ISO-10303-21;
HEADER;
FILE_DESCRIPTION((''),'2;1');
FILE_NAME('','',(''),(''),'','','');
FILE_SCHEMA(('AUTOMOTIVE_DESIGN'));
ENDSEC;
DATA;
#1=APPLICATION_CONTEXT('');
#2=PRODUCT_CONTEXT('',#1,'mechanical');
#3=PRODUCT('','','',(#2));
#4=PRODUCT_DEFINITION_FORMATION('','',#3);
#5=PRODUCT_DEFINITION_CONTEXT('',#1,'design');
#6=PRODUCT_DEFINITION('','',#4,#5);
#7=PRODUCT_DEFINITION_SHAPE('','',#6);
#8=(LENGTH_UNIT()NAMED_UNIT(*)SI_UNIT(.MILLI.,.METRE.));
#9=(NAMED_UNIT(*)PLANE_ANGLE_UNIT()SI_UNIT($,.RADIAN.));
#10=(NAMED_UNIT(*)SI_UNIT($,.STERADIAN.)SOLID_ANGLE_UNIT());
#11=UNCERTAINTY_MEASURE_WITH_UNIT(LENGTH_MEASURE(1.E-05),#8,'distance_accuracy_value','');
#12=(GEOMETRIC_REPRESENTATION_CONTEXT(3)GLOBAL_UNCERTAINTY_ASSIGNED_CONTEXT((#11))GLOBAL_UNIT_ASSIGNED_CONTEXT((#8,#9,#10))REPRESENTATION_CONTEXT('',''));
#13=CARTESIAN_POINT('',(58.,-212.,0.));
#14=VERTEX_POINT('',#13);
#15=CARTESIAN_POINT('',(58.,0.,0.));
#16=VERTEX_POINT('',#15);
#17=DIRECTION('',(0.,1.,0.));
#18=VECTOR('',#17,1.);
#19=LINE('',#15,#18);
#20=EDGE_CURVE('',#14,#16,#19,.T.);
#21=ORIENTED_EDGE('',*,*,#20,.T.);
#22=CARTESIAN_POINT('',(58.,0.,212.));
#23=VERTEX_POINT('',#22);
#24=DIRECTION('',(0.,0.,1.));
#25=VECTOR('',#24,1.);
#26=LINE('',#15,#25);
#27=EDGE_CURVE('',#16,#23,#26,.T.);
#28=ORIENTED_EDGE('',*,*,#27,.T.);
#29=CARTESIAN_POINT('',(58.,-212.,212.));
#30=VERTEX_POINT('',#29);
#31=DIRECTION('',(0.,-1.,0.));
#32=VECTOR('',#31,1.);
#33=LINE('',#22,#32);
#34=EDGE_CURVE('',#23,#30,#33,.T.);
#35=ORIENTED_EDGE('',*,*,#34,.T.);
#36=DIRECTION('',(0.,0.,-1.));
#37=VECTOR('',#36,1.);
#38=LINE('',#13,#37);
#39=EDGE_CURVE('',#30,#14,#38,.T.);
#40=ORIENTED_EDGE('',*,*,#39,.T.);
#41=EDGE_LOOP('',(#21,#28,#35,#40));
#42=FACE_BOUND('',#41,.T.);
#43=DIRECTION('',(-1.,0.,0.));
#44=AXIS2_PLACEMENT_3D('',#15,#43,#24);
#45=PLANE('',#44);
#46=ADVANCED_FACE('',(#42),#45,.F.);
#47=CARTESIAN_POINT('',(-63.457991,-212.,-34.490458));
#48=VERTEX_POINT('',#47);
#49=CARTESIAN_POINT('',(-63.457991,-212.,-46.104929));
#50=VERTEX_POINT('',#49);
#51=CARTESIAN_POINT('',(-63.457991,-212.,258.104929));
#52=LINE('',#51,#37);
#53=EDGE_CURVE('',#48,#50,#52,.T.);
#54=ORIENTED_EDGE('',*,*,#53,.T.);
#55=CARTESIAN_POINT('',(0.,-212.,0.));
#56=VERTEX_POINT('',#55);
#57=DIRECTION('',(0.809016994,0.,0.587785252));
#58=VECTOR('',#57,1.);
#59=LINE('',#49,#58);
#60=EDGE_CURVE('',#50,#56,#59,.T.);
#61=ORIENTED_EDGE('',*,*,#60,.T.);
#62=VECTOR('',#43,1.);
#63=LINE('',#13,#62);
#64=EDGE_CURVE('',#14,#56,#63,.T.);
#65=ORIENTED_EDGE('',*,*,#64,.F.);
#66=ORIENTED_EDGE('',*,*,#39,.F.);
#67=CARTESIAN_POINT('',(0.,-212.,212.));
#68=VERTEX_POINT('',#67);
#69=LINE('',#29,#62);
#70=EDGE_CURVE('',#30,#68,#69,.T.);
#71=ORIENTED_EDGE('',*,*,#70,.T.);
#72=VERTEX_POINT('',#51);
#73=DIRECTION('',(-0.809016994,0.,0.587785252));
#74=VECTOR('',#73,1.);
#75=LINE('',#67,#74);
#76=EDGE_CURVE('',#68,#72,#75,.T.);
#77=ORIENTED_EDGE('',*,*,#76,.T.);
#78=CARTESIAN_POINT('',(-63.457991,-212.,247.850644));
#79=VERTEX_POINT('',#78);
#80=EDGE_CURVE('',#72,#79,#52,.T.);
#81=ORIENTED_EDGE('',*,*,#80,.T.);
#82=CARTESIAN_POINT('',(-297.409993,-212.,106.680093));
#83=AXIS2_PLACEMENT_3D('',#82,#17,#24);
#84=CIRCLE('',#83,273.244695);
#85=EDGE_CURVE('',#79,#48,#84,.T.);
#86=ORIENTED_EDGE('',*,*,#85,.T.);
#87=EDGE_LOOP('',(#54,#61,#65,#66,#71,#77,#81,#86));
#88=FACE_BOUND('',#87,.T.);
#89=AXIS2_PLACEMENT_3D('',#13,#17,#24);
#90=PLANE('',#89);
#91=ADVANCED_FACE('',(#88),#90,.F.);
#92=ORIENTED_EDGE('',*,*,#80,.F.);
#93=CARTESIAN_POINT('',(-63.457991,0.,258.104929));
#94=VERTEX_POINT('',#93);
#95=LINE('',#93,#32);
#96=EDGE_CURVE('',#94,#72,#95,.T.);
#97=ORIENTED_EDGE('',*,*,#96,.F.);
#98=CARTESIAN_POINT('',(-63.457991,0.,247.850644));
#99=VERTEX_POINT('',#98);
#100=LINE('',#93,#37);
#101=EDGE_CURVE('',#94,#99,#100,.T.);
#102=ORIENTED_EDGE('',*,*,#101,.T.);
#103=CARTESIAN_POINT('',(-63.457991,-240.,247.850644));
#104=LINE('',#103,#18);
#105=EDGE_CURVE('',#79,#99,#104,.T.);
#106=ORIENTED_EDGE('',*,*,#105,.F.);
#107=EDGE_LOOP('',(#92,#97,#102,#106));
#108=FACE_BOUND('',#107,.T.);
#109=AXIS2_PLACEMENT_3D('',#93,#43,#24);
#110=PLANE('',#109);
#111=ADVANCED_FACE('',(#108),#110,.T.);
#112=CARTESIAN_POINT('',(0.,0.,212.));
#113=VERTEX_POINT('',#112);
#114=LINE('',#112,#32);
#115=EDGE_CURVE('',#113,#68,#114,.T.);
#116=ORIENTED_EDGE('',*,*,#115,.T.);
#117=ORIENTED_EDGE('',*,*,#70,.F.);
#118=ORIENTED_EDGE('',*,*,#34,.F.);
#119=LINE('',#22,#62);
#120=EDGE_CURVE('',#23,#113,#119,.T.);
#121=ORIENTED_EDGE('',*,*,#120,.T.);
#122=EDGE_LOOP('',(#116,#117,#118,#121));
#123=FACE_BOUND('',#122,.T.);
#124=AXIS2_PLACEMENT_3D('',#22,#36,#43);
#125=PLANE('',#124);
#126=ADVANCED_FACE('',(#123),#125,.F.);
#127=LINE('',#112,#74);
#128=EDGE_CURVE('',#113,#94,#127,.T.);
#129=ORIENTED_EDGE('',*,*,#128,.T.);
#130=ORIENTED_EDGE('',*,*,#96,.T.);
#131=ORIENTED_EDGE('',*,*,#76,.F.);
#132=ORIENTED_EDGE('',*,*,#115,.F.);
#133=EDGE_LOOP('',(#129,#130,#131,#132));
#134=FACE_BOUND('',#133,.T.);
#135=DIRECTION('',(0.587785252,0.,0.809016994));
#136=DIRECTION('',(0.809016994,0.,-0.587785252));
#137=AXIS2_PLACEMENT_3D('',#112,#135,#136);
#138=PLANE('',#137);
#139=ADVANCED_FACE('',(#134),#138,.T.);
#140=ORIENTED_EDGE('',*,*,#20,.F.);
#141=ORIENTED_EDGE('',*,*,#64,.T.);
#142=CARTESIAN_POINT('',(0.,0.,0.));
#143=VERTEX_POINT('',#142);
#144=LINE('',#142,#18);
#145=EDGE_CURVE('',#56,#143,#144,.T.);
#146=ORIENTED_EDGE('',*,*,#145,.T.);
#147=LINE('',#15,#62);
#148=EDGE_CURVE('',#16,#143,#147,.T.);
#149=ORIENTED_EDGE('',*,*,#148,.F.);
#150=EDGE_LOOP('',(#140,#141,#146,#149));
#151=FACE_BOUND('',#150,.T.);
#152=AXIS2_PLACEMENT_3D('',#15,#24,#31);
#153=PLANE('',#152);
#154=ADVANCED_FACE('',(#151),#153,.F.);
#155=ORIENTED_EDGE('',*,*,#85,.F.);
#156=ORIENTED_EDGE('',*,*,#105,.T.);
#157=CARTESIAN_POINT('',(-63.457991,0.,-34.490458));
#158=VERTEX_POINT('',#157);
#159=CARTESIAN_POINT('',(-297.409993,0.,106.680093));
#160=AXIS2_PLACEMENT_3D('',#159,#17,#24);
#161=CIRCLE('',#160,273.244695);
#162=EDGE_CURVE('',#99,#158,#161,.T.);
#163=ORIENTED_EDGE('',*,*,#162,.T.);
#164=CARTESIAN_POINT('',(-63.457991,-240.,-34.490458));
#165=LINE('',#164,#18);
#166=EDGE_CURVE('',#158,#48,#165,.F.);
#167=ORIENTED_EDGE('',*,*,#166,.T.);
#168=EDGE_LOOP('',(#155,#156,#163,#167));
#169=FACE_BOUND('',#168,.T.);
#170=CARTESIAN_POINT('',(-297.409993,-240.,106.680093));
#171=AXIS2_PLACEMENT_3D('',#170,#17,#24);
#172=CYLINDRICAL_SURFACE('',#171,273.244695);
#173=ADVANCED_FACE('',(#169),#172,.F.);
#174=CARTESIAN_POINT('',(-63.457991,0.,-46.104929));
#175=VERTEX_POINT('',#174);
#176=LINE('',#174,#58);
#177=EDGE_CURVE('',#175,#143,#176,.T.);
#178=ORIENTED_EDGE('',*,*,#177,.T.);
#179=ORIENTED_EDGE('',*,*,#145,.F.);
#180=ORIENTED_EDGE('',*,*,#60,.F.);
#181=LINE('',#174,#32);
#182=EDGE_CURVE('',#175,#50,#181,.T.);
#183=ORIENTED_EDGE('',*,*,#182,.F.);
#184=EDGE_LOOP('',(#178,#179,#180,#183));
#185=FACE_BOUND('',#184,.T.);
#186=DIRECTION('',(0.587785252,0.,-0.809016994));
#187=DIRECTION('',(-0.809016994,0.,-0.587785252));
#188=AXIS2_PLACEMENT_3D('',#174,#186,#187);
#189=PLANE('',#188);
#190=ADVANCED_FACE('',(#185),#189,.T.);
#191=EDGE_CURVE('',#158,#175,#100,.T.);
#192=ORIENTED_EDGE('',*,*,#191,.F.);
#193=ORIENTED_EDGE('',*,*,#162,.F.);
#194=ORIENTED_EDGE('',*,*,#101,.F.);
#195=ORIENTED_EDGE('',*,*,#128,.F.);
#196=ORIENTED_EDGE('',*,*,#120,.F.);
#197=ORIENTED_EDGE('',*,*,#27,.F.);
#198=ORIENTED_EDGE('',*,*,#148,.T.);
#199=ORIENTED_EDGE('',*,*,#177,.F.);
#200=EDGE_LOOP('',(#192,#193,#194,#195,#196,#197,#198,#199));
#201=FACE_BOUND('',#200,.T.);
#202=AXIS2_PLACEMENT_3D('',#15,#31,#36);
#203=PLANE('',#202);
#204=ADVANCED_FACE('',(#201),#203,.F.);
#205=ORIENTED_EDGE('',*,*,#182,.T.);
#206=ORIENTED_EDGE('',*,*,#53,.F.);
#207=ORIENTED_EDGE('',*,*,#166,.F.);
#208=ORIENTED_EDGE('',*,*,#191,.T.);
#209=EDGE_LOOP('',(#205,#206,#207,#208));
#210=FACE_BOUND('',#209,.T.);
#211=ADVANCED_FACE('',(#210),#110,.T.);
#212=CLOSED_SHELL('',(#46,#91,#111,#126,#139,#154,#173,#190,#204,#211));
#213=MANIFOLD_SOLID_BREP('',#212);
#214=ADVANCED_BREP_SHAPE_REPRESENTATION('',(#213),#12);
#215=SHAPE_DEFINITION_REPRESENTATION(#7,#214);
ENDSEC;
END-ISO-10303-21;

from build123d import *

# Parameters (mm, degrees)
SKETCH1_W           = 53
SKETCH1_H           = 53
BOSS_EXTRUDE1_DEPTH = 14.5
BOSS_EXTRUDE2_DEPTH = 53
SKETCH5_R           = 68.311173766
CUT_EXTRUDE1_DEPTH  = 60
SCALE1_SCALE        = 4


with BuildPart() as part:
    # Sketch1 → Boss-Extrude1 (new body)
    with BuildSketch(Plane(origin=(0, 0, 0), x_dir=(0, 0, -1), z_dir=(1, 0, 0))):
        with Locations((-26.5, -26.5)):
            Rectangle(SKETCH1_W, SKETCH1_H)
    extrude(amount=BOSS_EXTRUDE1_DEPTH)

    # Sketch2 → Boss-Extrude2 (add)
    with BuildSketch(Plane.XZ.offset(53)):
        Polygon((0, 53), (-15.864497794, 64.526232333), (-15.864497794, -11.526232333), (0, 0), align=None)
    extrude(amount=-BOSS_EXTRUDE2_DEPTH)

    # Sketch5 → Cut-Extrude1 (cut)
    with BuildSketch(Plane(origin=(0, 0, 0), x_dir=(1, 0, 0), z_dir=(0, 1, 0))):
        with Locations((-74.352498141, -26.670023257)):
            Circle(SKETCH5_R)
    extrude(amount=-CUT_EXTRUDE1_DEPTH, mode=Mode.SUBTRACT)


with BuildPart() as part_1:
    # Scale1: scaled about (0, 0, 0)
    add(part.part.scale(SCALE1_SCALE))


solid = part_1.part
